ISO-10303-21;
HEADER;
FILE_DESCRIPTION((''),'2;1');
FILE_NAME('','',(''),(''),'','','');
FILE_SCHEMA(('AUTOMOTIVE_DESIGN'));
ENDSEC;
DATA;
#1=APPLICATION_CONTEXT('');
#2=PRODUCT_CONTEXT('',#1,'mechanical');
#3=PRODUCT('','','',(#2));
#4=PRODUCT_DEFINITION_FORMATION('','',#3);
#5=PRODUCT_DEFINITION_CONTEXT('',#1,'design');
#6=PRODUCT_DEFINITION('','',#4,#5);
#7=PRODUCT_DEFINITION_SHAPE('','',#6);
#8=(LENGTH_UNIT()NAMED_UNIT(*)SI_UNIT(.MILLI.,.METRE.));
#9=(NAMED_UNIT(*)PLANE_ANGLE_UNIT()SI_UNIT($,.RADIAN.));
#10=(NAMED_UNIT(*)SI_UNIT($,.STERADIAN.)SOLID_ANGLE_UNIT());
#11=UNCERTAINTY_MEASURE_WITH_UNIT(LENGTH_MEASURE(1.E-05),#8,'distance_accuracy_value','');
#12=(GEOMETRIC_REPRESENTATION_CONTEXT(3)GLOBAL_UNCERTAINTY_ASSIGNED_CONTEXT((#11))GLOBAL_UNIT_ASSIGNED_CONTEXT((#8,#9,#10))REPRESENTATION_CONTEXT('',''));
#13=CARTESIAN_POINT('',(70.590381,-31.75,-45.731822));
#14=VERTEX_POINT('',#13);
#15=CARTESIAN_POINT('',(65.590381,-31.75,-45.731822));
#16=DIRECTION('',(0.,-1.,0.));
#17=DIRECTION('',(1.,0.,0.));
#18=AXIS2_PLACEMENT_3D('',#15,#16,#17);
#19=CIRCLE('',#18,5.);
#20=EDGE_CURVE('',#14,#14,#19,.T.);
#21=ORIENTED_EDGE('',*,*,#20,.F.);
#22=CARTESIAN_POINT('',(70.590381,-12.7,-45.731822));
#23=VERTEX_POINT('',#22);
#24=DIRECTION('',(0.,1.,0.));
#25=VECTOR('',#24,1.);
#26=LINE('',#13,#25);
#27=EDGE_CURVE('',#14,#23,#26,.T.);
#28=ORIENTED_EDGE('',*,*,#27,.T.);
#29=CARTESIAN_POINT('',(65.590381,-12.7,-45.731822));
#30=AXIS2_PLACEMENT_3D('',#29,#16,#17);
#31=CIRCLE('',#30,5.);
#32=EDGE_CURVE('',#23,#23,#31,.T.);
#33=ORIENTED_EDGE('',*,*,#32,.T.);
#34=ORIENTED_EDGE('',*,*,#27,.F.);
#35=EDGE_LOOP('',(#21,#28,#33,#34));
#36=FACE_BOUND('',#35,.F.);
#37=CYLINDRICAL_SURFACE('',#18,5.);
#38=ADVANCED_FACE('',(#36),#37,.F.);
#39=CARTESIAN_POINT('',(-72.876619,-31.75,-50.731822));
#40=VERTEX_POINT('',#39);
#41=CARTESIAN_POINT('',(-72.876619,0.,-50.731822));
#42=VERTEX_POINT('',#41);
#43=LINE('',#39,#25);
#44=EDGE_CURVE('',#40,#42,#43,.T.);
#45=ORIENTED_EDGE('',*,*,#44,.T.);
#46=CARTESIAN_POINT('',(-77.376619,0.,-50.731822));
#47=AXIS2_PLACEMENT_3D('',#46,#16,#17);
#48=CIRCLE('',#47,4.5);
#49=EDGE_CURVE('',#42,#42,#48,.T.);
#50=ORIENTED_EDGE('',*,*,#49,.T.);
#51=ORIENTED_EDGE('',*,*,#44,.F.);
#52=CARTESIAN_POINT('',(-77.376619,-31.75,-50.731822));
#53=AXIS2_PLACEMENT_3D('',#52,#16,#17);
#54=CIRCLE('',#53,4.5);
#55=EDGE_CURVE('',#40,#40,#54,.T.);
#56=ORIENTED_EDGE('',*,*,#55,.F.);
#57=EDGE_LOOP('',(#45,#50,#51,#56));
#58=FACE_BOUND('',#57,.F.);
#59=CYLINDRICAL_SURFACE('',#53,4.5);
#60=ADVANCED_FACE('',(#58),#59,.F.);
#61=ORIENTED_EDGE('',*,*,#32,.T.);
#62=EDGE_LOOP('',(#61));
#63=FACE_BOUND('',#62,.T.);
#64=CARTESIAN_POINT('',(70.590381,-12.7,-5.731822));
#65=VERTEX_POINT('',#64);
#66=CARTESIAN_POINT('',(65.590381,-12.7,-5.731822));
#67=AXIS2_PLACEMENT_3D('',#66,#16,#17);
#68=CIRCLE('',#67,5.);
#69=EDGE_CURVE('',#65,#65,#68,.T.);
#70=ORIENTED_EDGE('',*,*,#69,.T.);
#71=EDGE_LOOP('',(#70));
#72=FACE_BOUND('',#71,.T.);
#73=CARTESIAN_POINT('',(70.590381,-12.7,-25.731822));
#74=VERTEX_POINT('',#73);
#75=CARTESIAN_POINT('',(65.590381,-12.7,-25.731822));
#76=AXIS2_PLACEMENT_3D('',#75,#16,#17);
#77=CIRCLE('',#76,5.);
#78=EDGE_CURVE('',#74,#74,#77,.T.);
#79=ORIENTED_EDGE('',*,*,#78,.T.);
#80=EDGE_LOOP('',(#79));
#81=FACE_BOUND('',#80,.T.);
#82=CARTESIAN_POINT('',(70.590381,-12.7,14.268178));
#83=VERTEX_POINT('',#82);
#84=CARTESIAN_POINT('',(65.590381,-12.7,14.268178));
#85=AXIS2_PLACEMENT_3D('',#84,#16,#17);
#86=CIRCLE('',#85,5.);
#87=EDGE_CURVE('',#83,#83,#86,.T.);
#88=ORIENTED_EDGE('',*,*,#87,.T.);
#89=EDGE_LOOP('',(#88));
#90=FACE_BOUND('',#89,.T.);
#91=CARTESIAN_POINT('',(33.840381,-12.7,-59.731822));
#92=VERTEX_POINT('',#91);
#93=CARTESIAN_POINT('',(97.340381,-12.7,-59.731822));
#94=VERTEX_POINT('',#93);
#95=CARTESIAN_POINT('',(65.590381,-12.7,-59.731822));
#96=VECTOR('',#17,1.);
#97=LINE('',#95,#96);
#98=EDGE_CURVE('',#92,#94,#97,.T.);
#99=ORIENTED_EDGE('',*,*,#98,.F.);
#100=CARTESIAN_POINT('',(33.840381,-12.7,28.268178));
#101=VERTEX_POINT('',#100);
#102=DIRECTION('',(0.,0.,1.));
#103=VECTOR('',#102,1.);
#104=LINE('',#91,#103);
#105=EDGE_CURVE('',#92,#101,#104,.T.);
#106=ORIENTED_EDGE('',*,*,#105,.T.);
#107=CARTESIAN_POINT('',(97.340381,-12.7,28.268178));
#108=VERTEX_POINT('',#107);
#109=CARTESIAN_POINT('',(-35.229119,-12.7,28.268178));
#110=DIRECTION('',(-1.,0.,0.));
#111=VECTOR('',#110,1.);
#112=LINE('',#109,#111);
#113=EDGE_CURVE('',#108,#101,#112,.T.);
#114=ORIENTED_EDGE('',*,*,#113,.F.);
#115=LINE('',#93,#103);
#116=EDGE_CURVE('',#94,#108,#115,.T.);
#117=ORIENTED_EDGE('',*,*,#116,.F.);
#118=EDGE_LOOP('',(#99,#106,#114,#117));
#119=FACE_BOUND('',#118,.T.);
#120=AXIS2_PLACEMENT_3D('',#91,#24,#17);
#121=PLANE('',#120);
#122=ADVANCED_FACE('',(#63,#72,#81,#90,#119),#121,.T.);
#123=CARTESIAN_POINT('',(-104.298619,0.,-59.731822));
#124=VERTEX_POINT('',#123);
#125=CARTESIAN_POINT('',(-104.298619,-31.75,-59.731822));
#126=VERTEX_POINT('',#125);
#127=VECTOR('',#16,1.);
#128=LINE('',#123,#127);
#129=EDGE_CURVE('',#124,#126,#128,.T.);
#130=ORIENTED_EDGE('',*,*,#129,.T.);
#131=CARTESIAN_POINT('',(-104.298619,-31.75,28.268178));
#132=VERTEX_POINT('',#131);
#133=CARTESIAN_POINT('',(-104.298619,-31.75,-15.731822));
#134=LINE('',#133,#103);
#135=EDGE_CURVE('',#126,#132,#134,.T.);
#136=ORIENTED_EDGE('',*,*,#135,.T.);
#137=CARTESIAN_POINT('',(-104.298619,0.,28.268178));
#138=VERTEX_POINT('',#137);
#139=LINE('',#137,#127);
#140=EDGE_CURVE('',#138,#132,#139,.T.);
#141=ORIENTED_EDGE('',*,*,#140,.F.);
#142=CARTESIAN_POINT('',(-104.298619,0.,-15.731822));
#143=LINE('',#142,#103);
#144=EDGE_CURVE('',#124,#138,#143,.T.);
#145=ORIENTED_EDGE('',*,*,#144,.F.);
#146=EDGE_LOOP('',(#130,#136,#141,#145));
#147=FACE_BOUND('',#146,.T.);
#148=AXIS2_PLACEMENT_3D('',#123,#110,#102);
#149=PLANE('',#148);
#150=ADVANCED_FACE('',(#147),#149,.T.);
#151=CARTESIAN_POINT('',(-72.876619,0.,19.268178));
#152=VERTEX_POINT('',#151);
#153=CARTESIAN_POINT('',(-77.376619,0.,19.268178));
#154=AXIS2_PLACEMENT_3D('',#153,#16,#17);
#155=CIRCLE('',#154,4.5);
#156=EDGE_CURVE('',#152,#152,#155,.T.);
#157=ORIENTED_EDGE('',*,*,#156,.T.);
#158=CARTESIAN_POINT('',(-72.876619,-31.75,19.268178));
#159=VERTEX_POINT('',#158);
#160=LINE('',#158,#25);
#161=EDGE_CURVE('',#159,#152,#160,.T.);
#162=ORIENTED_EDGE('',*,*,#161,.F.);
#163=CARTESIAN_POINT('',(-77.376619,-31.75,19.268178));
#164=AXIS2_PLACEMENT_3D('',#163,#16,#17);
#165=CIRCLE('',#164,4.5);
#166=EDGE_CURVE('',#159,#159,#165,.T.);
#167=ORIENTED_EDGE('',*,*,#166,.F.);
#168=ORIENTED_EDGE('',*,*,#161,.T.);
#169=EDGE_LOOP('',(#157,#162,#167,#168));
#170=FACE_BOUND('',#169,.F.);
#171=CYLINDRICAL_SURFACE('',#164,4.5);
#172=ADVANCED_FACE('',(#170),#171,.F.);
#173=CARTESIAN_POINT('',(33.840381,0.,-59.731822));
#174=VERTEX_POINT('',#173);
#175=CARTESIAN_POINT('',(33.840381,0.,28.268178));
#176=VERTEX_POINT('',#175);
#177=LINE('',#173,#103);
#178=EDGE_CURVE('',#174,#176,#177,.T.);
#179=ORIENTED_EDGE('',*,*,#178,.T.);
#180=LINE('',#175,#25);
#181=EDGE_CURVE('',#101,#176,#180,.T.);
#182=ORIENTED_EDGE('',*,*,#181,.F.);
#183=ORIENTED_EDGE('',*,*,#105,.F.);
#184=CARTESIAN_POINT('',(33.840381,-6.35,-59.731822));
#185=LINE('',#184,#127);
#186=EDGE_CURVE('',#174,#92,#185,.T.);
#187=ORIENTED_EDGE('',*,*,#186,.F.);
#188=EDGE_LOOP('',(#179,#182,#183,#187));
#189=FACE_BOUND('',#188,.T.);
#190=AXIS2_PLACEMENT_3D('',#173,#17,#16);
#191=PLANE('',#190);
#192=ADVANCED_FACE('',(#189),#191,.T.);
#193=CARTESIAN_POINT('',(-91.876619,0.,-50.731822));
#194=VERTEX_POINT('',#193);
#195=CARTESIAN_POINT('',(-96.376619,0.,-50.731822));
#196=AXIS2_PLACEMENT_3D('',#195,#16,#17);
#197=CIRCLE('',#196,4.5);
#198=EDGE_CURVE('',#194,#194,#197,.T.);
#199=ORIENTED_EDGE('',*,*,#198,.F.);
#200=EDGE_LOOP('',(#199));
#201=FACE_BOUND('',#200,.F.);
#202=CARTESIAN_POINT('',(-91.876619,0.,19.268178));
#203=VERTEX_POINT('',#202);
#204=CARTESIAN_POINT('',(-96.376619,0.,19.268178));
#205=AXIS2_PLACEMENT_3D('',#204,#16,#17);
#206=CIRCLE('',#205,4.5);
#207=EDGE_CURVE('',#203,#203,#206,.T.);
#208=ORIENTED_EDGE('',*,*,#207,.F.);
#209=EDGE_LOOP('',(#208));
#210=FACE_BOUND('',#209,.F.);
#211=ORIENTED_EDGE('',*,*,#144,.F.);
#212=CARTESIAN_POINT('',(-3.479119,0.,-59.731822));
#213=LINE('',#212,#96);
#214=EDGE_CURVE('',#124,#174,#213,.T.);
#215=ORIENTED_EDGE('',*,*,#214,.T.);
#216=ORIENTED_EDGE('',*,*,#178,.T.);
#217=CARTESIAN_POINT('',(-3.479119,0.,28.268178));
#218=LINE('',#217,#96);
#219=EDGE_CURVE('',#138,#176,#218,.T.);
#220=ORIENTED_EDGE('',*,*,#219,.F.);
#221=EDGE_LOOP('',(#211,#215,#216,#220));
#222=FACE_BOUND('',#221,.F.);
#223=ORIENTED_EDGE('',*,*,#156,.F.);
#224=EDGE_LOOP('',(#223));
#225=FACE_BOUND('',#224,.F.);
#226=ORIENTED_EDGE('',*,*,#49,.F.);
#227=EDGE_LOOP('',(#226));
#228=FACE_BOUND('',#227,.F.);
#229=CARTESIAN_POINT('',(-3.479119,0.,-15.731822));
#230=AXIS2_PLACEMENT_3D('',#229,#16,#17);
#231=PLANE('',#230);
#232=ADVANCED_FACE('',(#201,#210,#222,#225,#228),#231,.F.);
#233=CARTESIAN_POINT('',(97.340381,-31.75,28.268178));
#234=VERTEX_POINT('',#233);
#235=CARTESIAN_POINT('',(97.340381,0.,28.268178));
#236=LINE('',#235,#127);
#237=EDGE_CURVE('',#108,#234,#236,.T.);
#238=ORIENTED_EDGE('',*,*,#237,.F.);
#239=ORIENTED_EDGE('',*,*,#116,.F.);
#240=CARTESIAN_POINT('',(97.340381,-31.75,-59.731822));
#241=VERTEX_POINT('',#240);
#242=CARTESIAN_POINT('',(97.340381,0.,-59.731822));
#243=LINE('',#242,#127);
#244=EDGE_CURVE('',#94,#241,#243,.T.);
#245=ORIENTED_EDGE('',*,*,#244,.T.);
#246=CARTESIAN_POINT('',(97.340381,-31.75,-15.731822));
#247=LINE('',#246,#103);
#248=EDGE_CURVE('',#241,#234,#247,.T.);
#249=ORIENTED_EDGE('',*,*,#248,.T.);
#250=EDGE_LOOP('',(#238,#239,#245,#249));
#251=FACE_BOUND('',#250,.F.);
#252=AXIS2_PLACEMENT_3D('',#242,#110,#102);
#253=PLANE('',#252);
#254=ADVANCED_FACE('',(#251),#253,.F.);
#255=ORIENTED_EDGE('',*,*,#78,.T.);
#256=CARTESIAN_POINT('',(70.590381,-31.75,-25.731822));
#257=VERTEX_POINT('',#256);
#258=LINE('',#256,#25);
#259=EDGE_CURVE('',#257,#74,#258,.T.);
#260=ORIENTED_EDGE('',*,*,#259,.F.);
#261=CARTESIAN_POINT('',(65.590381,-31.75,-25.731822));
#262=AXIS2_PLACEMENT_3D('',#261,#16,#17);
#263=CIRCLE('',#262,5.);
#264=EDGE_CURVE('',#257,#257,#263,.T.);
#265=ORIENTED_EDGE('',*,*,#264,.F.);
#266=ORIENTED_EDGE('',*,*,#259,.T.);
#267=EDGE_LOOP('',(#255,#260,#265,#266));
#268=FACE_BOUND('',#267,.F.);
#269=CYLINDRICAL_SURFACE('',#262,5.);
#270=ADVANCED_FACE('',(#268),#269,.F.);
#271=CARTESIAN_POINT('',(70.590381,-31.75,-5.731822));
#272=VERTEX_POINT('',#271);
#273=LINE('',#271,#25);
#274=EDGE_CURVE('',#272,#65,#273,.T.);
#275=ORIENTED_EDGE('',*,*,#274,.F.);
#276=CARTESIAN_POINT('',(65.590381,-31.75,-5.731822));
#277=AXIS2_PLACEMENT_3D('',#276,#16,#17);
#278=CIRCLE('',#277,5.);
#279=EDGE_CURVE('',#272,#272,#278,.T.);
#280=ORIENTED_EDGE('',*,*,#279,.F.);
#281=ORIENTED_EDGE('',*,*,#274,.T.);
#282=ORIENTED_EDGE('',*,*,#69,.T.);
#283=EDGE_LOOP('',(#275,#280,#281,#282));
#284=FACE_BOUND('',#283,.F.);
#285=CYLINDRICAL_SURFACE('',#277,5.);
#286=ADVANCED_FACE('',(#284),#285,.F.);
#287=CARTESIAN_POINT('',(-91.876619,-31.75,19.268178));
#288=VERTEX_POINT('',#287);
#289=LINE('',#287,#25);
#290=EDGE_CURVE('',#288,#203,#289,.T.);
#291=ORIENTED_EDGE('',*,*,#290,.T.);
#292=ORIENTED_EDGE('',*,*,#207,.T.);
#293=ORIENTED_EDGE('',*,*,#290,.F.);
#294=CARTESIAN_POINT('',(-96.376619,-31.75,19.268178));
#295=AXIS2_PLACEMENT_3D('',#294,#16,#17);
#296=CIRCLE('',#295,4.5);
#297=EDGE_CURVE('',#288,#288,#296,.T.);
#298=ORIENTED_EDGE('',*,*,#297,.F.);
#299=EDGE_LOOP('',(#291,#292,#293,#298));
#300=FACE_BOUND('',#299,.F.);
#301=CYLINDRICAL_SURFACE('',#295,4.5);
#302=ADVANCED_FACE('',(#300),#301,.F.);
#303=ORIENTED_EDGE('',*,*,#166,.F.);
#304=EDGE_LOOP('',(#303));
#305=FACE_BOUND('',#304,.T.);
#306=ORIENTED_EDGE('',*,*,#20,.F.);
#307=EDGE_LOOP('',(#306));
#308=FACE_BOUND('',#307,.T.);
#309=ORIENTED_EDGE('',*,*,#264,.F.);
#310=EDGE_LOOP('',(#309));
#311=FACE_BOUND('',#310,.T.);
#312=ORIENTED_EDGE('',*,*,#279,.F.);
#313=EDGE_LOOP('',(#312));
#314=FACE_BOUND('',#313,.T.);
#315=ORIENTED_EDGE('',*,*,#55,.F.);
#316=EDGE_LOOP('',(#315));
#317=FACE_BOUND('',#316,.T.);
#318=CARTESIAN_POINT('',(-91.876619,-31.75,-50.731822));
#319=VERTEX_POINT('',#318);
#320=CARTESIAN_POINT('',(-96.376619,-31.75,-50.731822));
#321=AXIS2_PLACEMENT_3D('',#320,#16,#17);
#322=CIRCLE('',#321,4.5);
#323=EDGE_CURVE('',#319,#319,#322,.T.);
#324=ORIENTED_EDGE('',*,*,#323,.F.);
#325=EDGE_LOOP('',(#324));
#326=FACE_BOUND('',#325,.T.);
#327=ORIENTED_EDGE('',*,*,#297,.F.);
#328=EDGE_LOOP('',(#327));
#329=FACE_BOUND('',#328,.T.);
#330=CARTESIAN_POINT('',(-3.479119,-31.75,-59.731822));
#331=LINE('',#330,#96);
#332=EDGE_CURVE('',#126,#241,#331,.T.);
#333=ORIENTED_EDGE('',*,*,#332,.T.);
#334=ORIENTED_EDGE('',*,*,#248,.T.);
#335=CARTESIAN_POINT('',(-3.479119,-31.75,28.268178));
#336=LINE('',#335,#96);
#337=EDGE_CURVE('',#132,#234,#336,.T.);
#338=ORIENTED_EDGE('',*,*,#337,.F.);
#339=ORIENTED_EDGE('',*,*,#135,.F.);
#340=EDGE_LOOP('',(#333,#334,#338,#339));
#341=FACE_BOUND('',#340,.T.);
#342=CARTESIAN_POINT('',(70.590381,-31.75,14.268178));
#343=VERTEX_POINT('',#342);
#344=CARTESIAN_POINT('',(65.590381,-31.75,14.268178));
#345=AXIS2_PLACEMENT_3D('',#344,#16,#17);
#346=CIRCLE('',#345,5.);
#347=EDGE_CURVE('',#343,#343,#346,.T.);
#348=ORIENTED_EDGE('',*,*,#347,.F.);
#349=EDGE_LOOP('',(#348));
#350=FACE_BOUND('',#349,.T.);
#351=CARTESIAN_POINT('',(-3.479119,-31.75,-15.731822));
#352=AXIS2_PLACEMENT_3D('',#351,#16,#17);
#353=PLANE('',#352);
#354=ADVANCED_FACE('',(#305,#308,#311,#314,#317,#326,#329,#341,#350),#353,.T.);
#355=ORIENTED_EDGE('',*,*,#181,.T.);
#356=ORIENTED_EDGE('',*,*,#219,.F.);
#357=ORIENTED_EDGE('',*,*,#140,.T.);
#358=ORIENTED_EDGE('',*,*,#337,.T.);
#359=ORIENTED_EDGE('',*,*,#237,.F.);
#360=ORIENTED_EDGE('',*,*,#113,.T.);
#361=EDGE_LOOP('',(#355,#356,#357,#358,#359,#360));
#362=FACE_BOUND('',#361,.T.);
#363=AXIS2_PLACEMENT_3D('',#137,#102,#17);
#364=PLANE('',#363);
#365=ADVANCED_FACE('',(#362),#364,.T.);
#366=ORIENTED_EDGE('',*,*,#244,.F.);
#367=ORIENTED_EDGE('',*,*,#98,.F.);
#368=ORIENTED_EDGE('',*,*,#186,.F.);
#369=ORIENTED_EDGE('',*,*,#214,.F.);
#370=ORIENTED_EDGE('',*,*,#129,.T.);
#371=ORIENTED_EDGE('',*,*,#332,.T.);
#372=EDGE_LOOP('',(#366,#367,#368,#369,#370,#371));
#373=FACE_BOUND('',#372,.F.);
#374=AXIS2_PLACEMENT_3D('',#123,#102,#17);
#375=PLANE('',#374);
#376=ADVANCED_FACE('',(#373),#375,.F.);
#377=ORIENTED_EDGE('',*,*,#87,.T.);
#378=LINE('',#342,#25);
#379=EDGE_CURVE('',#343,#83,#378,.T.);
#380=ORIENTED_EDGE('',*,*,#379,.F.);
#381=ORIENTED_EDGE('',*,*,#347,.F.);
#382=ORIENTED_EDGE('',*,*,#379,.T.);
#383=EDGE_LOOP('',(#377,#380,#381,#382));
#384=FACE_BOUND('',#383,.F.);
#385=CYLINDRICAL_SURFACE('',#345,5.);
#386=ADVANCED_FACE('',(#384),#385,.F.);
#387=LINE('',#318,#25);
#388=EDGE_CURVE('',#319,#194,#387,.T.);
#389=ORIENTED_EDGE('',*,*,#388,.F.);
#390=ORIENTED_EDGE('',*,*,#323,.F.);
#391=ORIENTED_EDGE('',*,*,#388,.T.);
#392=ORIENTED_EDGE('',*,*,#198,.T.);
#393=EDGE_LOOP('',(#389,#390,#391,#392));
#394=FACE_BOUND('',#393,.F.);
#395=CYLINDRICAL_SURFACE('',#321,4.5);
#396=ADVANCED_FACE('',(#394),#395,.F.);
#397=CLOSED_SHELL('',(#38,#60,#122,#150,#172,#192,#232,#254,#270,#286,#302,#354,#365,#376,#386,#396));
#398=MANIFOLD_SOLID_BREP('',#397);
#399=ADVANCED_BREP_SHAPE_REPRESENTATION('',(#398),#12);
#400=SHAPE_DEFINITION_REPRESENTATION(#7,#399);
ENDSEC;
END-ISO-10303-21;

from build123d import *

# Parameters (mm, degrees)
F0_W     = 201.639
F0_H     = 88
F1_DEPTH = 31.75
F2_W     = 63.5
F2_H     = 12.7
F3_DEPTH = 88.001
F4_R     = 4.5
F4_R_2   = 5
F5_DEPTH = 31.751


with BuildPart() as f1:
    # F0 (on Front) → F1 (new body)
    with BuildSketch(Plane.XZ):
        with Locations((-3.479119, -15.731822)):
            Rectangle(F0_W, F0_H)
    extrude(amount=F1_DEPTH)

    # F2 (on face) → F3 (cut, through all)
    with BuildSketch(Plane(origin=(0, 0, -59.731822), x_dir=(1, 0, 0), z_dir=(0, 0, -1))):
        with Locations((65.590381, 6.35)):
            Rectangle(F2_W, F2_H)
    extrude(amount=-F3_DEPTH, mode=Mode.SUBTRACT)

    # F4 (on face) → F5 (cut, through all)
    with BuildSketch(Plane.XZ.offset(31.75)):
        with Locations((-96.376619, -50.731822)):
            Circle(F4_R)
        with Locations((-96.376619, 19.268178)):
            Circle(F4_R)
        with Locations((-77.376619, -50.731822)):
            Circle(F4_R)
        with Locations((-77.376619, 19.268178)):
            Circle(F4_R)
        with Locations((65.590381, -45.731822)):
            Circle(F4_R_2)
        with Locations((65.590381, -25.731822)):
            Circle(F4_R_2)
        with Locations((65.590381, -5.731822)):
            Circle(F4_R_2)
        with Locations((65.590381, 14.268178)):
            Circle(F4_R_2)
    extrude(amount=-F5_DEPTH, mode=Mode.SUBTRACT)


solid = f1.part
